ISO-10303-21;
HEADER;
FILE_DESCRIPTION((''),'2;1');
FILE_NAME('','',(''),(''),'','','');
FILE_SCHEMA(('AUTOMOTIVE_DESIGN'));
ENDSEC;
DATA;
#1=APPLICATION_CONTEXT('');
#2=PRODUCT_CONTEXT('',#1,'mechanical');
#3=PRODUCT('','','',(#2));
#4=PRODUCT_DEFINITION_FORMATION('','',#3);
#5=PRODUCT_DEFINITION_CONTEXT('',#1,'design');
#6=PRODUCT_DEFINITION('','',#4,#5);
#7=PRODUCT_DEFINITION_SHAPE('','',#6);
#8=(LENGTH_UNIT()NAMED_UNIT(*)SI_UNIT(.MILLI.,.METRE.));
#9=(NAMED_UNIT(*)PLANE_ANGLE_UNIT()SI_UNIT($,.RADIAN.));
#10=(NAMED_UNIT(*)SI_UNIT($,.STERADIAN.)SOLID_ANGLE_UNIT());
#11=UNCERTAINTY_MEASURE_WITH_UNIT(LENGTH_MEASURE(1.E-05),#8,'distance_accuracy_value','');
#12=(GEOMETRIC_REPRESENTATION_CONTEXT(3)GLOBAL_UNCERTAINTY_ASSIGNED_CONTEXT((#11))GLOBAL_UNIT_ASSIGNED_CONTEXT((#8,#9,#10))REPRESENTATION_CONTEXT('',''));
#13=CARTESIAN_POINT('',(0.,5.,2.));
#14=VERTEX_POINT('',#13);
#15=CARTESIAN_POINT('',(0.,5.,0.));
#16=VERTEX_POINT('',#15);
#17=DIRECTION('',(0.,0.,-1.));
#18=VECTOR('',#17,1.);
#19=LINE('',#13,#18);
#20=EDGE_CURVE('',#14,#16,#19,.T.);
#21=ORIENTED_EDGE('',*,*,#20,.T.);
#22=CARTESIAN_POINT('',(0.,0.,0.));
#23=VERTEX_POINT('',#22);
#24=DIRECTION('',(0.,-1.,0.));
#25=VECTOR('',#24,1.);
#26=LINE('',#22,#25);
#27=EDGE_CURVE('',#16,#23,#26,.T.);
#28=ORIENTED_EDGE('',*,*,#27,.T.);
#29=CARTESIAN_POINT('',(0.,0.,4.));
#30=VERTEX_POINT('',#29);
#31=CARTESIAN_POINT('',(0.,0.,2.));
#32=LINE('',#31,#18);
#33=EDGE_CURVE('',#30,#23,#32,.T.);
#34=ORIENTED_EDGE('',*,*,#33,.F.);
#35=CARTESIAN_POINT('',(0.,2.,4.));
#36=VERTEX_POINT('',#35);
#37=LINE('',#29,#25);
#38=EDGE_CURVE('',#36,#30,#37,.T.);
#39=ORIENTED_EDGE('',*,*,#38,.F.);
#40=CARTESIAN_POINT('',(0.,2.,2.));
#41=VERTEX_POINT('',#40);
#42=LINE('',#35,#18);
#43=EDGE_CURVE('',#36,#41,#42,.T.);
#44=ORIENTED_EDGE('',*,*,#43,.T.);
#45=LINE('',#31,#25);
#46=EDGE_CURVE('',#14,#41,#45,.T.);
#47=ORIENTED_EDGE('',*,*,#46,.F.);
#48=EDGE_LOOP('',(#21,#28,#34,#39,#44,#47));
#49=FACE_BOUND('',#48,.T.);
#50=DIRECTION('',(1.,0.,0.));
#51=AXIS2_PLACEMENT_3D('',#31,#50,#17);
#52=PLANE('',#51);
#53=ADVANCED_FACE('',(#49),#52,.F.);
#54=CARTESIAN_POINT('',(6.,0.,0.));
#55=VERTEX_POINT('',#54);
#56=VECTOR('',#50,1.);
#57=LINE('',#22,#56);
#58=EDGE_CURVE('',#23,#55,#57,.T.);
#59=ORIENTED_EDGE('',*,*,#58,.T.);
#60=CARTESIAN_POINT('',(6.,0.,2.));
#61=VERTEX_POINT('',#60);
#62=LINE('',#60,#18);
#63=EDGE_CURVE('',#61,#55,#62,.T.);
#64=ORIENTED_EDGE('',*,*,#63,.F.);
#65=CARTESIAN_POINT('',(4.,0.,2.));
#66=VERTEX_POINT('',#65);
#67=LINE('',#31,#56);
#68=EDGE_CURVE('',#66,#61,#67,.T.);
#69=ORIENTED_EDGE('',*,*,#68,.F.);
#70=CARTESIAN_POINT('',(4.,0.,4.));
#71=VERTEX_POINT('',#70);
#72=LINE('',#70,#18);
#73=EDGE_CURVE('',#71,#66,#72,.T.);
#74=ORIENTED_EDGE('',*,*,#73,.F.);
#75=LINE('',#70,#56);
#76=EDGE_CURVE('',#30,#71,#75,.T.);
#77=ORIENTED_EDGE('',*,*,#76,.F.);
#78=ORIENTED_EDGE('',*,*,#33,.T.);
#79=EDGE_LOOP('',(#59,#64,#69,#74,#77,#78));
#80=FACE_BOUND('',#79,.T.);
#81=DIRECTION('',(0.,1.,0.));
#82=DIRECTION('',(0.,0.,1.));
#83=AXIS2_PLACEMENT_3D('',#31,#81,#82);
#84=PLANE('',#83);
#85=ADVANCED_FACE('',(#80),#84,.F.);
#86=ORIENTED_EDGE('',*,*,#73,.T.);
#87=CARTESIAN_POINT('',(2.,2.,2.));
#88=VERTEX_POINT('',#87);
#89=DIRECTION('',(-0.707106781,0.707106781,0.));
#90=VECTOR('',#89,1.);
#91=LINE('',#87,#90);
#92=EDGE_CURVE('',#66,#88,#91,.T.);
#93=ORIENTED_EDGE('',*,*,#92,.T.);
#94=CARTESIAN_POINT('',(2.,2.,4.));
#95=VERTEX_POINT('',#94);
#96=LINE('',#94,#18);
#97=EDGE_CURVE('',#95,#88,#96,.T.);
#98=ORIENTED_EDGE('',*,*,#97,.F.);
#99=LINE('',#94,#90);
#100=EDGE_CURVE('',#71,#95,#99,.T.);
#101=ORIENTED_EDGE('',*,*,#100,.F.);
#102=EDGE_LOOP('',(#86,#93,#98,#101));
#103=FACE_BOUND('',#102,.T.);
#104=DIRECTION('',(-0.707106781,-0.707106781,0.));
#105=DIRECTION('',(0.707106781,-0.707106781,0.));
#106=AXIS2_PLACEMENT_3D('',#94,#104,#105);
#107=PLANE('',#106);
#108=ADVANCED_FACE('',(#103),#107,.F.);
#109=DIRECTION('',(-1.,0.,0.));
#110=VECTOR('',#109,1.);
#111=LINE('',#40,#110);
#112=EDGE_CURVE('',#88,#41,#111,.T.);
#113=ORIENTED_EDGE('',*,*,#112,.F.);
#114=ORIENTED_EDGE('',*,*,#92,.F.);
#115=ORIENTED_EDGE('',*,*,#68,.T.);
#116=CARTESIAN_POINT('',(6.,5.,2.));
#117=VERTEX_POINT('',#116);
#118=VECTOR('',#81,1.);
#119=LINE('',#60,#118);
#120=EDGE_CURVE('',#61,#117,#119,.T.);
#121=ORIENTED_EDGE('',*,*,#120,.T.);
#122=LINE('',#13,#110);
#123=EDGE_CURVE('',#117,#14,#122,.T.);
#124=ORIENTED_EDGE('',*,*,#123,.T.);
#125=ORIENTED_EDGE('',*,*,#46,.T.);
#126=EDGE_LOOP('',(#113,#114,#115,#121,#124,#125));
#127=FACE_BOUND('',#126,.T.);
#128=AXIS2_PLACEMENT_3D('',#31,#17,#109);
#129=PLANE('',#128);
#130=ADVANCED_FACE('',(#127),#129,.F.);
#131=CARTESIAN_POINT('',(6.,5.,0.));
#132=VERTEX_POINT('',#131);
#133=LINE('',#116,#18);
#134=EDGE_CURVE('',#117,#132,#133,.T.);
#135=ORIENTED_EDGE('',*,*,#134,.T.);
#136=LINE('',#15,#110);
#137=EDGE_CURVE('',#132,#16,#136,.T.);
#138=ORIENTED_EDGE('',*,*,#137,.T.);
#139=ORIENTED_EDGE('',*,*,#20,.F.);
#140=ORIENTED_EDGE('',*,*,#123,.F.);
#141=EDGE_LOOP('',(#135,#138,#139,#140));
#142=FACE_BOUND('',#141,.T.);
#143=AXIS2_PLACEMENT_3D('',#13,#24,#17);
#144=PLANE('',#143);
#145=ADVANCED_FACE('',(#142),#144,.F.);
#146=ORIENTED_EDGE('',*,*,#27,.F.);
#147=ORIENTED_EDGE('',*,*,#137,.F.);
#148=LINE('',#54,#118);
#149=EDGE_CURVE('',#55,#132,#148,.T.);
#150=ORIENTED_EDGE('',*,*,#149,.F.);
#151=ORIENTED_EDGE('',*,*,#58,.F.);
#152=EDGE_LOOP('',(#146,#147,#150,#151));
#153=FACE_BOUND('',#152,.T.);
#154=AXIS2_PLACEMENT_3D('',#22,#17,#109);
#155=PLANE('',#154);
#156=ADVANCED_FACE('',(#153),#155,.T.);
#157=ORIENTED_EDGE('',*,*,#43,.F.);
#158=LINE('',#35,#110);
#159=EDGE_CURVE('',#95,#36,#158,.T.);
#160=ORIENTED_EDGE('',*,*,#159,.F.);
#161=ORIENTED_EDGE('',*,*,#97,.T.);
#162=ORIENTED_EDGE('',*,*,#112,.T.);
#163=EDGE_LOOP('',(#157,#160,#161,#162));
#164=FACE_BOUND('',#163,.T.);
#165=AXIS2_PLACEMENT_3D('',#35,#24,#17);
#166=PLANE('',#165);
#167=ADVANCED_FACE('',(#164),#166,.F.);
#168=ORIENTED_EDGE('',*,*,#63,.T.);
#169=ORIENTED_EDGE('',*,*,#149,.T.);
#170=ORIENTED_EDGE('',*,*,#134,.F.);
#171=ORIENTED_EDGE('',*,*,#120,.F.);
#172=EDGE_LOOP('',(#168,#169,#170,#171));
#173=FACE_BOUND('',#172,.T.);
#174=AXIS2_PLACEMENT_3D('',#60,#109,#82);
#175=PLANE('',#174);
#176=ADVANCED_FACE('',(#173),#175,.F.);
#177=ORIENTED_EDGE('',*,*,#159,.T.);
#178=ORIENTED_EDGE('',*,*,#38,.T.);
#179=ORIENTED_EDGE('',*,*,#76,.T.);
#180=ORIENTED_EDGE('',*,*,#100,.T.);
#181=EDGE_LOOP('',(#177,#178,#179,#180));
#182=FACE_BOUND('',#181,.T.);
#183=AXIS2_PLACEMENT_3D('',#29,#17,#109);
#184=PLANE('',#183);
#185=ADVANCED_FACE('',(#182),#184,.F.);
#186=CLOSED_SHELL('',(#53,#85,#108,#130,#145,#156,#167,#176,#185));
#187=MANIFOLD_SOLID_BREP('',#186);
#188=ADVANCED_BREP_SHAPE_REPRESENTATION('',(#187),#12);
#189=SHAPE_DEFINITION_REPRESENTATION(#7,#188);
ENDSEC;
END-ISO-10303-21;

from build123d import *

# Parameters (mm, degrees)
SKETCH1_W           = 6
SKETCH1_H           = 5
BOSS_EXTRUDE1_DEPTH = 2
BOSS_EXTRUDE2_DEPTH = 2


with BuildPart() as part:
    # Sketch1 → Boss-Extrude1 (new body)
    with BuildSketch(Plane.XY):
        with Locations((3, 2.5)):
            Rectangle(SKETCH1_W, SKETCH1_H)
    extrude(amount=BOSS_EXTRUDE1_DEPTH)

    # Sketch2 → Boss-Extrude2 (add)
    with BuildSketch(Plane.XY.offset(2)):
        Polygon((0, 0), (0, 2), (2, 2), (4, 0), align=None)
    extrude(amount=BOSS_EXTRUDE2_DEPTH)


solid = part.part
